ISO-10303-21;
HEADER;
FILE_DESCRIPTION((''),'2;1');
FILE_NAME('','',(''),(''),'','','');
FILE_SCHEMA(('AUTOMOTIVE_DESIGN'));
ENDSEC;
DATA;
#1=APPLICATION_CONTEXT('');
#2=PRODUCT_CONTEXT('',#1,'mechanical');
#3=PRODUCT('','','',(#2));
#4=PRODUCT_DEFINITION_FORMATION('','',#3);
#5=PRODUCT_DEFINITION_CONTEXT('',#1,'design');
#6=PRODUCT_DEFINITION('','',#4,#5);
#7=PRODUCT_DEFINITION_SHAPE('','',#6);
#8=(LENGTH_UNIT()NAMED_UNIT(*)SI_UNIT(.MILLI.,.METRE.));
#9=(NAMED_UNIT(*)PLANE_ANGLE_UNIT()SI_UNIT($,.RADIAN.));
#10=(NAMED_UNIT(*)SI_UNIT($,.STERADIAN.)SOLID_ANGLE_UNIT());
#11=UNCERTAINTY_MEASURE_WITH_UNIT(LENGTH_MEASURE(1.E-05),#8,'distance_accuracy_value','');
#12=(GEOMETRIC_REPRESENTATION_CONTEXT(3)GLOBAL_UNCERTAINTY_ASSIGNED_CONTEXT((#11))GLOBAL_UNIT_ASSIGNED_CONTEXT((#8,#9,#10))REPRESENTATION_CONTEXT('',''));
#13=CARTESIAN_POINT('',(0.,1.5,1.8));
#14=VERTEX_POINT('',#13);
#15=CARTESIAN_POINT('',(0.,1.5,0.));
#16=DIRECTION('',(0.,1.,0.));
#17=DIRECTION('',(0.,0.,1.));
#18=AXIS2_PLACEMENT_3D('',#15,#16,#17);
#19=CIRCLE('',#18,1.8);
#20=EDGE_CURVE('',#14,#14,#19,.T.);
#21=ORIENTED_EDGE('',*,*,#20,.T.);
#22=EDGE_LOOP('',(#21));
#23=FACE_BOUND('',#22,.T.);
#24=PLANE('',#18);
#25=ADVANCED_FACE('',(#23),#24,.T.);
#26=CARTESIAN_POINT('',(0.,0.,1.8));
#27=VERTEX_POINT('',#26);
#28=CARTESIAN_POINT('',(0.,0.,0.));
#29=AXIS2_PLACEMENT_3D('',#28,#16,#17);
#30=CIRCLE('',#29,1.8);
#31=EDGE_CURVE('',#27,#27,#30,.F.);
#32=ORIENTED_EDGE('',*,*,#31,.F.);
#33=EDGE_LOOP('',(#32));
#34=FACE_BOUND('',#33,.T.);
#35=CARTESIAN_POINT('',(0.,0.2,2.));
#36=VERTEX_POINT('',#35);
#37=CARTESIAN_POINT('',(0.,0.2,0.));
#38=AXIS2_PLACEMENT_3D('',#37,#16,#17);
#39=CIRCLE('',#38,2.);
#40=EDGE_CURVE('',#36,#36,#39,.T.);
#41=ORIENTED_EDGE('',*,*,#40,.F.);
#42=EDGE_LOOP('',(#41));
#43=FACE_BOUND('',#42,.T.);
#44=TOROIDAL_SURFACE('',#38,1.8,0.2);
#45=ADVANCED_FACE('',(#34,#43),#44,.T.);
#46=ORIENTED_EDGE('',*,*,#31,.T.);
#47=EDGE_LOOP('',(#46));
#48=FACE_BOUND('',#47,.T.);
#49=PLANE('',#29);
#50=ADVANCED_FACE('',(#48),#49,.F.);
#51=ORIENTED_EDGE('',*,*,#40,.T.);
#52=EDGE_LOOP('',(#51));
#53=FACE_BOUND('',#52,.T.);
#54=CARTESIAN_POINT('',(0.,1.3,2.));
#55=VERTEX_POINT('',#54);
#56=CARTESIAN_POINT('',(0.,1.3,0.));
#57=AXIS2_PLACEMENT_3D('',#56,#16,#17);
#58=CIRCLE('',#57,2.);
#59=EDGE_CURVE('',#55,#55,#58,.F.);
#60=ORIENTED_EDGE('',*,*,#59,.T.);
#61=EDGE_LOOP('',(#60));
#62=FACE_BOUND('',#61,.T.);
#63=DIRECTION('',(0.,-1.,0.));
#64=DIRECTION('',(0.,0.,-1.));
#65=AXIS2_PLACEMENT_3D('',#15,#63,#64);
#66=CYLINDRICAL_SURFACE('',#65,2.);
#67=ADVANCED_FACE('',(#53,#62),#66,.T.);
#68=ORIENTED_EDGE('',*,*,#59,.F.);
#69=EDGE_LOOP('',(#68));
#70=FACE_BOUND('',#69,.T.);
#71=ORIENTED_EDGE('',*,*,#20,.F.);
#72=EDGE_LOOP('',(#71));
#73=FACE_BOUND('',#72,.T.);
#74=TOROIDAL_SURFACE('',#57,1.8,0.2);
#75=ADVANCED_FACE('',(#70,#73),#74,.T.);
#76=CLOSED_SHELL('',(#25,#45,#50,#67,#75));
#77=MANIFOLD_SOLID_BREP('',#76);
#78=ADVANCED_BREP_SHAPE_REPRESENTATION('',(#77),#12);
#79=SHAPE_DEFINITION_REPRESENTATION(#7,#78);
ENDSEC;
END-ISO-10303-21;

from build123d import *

# Parameters (mm, degrees)
SKETCH1_R           = 2
BOSS_EXTRUDE1_DEPTH = 1.5
FILLET1_R           = 0.2


with BuildPart() as part:
    # Sketch1 → Boss-Extrude1 (new body)
    with BuildSketch(Plane(origin=(0, 0, 0), x_dir=(1, 0, 0), z_dir=(0, 1, 0))):
        Circle(SKETCH1_R)
    extrude(amount=BOSS_EXTRUDE1_DEPTH)

    # Fillet1
    fillet1_edges = [part.edges().sort_by_distance(p)[0] for p in [
        (-2, 0, 0),
        (-2, 1.5, 0),
    ]]
    fillet(fillet1_edges, radius=FILLET1_R)


solid = part.part
